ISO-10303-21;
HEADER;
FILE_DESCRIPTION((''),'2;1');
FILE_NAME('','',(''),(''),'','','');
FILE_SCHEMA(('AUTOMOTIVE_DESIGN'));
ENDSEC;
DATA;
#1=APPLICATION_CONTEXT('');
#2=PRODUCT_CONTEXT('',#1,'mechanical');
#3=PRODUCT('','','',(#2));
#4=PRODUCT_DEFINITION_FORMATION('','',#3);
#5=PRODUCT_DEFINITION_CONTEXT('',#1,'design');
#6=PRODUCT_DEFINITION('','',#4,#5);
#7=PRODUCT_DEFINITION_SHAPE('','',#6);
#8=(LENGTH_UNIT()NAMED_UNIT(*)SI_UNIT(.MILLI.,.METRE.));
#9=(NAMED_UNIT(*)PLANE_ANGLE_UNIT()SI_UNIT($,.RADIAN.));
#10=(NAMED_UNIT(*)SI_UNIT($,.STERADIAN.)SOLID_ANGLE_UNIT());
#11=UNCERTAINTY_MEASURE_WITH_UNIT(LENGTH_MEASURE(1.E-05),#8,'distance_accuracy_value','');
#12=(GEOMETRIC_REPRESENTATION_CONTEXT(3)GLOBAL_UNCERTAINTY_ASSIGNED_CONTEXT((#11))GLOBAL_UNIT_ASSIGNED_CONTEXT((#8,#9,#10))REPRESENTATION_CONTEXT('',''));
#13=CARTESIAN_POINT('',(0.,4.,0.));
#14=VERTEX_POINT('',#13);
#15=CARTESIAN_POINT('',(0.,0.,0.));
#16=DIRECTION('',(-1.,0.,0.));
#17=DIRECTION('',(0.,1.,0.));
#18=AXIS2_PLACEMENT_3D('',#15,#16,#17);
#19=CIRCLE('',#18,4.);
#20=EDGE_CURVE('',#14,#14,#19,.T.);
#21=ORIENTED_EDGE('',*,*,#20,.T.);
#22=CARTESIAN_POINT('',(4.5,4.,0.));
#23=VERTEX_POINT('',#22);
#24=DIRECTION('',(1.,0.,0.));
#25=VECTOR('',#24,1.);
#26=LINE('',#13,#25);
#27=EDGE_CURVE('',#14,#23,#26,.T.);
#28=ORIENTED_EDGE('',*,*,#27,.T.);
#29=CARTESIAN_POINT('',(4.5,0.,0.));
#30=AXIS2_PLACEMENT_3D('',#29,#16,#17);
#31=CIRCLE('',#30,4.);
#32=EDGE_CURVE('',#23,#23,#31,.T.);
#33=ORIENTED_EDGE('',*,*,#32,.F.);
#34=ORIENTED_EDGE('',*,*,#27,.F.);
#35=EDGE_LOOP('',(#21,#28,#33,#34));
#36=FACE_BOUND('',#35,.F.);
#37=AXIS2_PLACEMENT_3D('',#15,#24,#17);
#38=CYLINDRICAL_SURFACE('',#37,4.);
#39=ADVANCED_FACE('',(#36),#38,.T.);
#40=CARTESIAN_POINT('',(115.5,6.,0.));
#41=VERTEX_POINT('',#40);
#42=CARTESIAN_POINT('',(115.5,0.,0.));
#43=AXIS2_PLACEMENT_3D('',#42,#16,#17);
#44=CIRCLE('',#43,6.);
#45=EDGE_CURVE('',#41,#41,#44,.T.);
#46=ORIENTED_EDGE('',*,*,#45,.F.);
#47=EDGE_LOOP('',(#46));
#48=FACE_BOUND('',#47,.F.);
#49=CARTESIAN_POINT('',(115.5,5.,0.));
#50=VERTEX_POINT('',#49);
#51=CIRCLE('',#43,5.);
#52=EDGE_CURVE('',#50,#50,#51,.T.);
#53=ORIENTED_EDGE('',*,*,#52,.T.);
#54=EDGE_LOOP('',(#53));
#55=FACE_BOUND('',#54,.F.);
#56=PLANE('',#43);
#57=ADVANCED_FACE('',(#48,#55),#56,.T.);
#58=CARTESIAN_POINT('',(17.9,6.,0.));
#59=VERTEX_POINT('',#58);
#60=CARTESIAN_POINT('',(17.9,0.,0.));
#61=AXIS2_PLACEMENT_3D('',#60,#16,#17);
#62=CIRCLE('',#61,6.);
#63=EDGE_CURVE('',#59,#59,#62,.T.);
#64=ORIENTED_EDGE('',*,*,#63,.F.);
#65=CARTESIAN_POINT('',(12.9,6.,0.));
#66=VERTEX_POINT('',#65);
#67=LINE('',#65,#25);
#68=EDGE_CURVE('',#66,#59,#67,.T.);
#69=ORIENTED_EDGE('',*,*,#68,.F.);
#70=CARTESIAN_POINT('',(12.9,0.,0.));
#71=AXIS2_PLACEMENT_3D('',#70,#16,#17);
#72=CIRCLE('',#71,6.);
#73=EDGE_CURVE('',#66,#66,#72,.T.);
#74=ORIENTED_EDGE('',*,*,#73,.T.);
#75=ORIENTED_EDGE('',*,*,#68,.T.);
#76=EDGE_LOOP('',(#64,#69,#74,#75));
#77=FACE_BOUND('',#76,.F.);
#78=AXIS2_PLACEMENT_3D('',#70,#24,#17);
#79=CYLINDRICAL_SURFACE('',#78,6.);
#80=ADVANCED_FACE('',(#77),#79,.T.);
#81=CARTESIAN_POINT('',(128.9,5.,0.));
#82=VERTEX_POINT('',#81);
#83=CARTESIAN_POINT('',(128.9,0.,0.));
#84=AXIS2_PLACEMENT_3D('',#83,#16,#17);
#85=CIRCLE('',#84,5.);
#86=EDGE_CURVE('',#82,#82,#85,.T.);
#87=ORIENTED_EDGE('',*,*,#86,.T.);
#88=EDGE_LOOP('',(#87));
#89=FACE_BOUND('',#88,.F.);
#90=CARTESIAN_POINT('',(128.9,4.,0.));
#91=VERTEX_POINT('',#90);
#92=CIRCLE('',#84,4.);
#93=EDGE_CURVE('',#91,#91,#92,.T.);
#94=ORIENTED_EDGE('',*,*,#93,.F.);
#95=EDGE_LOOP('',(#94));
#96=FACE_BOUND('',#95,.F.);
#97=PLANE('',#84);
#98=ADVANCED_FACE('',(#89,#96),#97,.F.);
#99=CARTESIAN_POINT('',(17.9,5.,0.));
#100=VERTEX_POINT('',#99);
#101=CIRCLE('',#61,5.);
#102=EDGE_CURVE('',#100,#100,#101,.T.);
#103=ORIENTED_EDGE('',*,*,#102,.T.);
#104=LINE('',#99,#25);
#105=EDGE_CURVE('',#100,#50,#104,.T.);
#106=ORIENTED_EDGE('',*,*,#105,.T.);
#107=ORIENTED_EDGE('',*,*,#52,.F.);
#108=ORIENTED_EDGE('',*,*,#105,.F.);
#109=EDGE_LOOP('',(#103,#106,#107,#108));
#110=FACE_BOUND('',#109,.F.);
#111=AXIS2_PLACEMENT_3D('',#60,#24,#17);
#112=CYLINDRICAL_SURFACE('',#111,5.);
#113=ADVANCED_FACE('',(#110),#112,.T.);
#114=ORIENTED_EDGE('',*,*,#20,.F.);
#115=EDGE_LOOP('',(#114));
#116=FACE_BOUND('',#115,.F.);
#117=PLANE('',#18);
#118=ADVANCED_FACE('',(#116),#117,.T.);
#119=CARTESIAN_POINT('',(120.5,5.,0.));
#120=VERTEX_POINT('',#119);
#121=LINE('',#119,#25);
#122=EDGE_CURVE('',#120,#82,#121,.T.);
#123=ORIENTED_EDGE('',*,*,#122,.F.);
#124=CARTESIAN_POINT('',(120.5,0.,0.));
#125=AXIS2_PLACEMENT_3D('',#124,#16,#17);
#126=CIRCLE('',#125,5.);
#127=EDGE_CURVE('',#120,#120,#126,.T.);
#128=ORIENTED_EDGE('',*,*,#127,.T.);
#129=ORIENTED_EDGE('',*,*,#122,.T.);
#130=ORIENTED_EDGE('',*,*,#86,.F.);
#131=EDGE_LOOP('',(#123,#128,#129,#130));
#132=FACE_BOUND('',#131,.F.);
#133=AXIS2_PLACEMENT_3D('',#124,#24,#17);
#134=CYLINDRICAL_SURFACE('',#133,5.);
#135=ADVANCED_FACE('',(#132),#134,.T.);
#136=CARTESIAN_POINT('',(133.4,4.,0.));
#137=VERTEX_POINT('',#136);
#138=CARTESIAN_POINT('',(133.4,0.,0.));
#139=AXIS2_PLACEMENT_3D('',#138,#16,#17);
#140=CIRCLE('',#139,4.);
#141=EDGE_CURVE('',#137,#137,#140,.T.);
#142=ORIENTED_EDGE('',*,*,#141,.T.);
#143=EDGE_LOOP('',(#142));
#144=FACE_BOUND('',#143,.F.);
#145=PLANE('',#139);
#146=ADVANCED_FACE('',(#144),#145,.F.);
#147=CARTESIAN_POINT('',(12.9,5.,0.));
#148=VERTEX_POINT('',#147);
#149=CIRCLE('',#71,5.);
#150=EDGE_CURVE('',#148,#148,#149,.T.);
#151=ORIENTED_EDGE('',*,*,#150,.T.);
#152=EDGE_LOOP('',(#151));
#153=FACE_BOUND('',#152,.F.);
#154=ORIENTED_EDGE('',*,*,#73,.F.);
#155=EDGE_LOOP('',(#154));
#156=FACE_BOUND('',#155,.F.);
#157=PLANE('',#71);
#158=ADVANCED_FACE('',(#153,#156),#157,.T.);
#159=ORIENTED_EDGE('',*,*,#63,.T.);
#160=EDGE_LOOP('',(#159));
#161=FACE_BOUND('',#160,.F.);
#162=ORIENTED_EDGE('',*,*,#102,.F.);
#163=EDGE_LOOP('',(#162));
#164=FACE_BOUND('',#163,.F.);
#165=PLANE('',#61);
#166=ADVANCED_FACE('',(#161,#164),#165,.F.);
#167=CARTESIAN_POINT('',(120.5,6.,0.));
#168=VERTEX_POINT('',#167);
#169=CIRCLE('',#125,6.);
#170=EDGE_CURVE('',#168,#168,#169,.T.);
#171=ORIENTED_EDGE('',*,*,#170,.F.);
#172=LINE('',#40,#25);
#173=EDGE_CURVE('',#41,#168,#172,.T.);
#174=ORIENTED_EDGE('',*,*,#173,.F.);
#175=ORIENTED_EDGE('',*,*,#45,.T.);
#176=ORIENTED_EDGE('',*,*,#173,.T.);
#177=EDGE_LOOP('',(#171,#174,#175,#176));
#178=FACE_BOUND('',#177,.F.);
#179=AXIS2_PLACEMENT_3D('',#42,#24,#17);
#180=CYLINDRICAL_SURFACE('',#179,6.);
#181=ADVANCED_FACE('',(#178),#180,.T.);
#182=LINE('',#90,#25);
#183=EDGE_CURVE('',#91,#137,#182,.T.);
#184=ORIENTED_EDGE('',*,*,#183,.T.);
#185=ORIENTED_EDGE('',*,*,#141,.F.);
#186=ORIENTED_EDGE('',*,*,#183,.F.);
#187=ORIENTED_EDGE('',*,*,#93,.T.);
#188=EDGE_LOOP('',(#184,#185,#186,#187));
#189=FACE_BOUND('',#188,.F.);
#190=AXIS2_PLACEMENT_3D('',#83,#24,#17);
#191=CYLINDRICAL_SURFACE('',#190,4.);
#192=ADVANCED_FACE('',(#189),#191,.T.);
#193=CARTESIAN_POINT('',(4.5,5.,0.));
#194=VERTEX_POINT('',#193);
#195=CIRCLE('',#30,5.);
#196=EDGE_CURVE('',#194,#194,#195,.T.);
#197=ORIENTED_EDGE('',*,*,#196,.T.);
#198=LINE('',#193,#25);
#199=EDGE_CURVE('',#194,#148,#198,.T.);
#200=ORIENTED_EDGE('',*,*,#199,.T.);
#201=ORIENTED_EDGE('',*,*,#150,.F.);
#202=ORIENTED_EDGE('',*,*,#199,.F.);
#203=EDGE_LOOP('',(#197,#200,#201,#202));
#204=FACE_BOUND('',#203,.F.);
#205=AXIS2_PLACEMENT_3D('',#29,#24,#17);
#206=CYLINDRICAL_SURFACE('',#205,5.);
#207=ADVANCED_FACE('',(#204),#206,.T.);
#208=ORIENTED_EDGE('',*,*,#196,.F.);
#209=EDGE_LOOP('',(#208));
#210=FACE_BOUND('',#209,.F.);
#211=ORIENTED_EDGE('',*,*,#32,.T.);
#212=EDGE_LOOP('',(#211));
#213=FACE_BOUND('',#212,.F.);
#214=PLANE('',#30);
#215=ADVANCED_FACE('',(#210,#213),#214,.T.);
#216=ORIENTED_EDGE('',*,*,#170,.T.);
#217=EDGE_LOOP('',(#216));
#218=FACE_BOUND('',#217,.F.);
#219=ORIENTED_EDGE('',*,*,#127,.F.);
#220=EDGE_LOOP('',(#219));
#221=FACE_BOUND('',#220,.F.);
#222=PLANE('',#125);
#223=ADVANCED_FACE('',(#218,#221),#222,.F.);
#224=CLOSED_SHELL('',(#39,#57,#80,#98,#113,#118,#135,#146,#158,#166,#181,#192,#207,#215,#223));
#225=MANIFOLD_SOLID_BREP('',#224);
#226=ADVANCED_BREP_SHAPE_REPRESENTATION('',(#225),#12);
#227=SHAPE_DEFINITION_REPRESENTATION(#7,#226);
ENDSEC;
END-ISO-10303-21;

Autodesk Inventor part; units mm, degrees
ref_plane "YZ Plane" through (0, 0, 0) normal (1, 0, 0) x (0, 1, 0)
ref_plane "XZ Plane" through (0, 0, 0) normal (0, 1, 0) x (-1, 0, 0)
ref_plane "XY Plane" through (0, 0, 0) normal (0, 0, 1) x (1, 0, 0)
sketch "Sketch1" plane through (0, 0, 0) normal (0, 0, 1) x (1, 0, 0)
  line L0 (0, 0) -> (0, 4)
  line L1 (0, 4) -> (4.5, 4)
  line L2 (4.5, 4) -> (4.5, 5)
  line L3 (4.5, 5) -> (12.9, 5)
  line L4 (12.9, 5) -> (12.9, 6)
  line L5 (120.5, 6) -> (120.5, 5)
  line L6 (120.5, 5) -> (128.9, 5)
  line L7 (128.9, 5) -> (128.9, 4)
  line L8 (128.9, 4) -> (133.4, 4)
  line L9 (133.4, 4) -> (133.4, 0)
  line L10 (133.4, 0) -> (0, 0)
  line L11 (66.7, 6) -> (66.7, 0) construction
  line L12 (12.9, 6) -> (17.9, 6)
  line L13 (17.9, 6) -> (17.9, 5)
  line L14 (17.9, 5) -> (115.5, 5)
  line L15 (115.5, 5) -> (115.5, 6)
  line L16 (115.5, 6) -> (120.5, 6)
  dimension "d0" = 4
  dimension "d1" = 5
  dimension "d3" = 4.5
  dimension "d4" = 107.6
  dimension "d5" = 124.4
  dimension "d6" = 4.5
  dimension "d8" = 5
  dimension "d9" = 5
  dimension "d11" = 6
revolve "Revolution1" add sketch "Sketch1" angle 360 about axis through (133.4, 0, 0) along (-1, 0, 0)
properties part number "Stopper Axle" material "Stainless Steel"
